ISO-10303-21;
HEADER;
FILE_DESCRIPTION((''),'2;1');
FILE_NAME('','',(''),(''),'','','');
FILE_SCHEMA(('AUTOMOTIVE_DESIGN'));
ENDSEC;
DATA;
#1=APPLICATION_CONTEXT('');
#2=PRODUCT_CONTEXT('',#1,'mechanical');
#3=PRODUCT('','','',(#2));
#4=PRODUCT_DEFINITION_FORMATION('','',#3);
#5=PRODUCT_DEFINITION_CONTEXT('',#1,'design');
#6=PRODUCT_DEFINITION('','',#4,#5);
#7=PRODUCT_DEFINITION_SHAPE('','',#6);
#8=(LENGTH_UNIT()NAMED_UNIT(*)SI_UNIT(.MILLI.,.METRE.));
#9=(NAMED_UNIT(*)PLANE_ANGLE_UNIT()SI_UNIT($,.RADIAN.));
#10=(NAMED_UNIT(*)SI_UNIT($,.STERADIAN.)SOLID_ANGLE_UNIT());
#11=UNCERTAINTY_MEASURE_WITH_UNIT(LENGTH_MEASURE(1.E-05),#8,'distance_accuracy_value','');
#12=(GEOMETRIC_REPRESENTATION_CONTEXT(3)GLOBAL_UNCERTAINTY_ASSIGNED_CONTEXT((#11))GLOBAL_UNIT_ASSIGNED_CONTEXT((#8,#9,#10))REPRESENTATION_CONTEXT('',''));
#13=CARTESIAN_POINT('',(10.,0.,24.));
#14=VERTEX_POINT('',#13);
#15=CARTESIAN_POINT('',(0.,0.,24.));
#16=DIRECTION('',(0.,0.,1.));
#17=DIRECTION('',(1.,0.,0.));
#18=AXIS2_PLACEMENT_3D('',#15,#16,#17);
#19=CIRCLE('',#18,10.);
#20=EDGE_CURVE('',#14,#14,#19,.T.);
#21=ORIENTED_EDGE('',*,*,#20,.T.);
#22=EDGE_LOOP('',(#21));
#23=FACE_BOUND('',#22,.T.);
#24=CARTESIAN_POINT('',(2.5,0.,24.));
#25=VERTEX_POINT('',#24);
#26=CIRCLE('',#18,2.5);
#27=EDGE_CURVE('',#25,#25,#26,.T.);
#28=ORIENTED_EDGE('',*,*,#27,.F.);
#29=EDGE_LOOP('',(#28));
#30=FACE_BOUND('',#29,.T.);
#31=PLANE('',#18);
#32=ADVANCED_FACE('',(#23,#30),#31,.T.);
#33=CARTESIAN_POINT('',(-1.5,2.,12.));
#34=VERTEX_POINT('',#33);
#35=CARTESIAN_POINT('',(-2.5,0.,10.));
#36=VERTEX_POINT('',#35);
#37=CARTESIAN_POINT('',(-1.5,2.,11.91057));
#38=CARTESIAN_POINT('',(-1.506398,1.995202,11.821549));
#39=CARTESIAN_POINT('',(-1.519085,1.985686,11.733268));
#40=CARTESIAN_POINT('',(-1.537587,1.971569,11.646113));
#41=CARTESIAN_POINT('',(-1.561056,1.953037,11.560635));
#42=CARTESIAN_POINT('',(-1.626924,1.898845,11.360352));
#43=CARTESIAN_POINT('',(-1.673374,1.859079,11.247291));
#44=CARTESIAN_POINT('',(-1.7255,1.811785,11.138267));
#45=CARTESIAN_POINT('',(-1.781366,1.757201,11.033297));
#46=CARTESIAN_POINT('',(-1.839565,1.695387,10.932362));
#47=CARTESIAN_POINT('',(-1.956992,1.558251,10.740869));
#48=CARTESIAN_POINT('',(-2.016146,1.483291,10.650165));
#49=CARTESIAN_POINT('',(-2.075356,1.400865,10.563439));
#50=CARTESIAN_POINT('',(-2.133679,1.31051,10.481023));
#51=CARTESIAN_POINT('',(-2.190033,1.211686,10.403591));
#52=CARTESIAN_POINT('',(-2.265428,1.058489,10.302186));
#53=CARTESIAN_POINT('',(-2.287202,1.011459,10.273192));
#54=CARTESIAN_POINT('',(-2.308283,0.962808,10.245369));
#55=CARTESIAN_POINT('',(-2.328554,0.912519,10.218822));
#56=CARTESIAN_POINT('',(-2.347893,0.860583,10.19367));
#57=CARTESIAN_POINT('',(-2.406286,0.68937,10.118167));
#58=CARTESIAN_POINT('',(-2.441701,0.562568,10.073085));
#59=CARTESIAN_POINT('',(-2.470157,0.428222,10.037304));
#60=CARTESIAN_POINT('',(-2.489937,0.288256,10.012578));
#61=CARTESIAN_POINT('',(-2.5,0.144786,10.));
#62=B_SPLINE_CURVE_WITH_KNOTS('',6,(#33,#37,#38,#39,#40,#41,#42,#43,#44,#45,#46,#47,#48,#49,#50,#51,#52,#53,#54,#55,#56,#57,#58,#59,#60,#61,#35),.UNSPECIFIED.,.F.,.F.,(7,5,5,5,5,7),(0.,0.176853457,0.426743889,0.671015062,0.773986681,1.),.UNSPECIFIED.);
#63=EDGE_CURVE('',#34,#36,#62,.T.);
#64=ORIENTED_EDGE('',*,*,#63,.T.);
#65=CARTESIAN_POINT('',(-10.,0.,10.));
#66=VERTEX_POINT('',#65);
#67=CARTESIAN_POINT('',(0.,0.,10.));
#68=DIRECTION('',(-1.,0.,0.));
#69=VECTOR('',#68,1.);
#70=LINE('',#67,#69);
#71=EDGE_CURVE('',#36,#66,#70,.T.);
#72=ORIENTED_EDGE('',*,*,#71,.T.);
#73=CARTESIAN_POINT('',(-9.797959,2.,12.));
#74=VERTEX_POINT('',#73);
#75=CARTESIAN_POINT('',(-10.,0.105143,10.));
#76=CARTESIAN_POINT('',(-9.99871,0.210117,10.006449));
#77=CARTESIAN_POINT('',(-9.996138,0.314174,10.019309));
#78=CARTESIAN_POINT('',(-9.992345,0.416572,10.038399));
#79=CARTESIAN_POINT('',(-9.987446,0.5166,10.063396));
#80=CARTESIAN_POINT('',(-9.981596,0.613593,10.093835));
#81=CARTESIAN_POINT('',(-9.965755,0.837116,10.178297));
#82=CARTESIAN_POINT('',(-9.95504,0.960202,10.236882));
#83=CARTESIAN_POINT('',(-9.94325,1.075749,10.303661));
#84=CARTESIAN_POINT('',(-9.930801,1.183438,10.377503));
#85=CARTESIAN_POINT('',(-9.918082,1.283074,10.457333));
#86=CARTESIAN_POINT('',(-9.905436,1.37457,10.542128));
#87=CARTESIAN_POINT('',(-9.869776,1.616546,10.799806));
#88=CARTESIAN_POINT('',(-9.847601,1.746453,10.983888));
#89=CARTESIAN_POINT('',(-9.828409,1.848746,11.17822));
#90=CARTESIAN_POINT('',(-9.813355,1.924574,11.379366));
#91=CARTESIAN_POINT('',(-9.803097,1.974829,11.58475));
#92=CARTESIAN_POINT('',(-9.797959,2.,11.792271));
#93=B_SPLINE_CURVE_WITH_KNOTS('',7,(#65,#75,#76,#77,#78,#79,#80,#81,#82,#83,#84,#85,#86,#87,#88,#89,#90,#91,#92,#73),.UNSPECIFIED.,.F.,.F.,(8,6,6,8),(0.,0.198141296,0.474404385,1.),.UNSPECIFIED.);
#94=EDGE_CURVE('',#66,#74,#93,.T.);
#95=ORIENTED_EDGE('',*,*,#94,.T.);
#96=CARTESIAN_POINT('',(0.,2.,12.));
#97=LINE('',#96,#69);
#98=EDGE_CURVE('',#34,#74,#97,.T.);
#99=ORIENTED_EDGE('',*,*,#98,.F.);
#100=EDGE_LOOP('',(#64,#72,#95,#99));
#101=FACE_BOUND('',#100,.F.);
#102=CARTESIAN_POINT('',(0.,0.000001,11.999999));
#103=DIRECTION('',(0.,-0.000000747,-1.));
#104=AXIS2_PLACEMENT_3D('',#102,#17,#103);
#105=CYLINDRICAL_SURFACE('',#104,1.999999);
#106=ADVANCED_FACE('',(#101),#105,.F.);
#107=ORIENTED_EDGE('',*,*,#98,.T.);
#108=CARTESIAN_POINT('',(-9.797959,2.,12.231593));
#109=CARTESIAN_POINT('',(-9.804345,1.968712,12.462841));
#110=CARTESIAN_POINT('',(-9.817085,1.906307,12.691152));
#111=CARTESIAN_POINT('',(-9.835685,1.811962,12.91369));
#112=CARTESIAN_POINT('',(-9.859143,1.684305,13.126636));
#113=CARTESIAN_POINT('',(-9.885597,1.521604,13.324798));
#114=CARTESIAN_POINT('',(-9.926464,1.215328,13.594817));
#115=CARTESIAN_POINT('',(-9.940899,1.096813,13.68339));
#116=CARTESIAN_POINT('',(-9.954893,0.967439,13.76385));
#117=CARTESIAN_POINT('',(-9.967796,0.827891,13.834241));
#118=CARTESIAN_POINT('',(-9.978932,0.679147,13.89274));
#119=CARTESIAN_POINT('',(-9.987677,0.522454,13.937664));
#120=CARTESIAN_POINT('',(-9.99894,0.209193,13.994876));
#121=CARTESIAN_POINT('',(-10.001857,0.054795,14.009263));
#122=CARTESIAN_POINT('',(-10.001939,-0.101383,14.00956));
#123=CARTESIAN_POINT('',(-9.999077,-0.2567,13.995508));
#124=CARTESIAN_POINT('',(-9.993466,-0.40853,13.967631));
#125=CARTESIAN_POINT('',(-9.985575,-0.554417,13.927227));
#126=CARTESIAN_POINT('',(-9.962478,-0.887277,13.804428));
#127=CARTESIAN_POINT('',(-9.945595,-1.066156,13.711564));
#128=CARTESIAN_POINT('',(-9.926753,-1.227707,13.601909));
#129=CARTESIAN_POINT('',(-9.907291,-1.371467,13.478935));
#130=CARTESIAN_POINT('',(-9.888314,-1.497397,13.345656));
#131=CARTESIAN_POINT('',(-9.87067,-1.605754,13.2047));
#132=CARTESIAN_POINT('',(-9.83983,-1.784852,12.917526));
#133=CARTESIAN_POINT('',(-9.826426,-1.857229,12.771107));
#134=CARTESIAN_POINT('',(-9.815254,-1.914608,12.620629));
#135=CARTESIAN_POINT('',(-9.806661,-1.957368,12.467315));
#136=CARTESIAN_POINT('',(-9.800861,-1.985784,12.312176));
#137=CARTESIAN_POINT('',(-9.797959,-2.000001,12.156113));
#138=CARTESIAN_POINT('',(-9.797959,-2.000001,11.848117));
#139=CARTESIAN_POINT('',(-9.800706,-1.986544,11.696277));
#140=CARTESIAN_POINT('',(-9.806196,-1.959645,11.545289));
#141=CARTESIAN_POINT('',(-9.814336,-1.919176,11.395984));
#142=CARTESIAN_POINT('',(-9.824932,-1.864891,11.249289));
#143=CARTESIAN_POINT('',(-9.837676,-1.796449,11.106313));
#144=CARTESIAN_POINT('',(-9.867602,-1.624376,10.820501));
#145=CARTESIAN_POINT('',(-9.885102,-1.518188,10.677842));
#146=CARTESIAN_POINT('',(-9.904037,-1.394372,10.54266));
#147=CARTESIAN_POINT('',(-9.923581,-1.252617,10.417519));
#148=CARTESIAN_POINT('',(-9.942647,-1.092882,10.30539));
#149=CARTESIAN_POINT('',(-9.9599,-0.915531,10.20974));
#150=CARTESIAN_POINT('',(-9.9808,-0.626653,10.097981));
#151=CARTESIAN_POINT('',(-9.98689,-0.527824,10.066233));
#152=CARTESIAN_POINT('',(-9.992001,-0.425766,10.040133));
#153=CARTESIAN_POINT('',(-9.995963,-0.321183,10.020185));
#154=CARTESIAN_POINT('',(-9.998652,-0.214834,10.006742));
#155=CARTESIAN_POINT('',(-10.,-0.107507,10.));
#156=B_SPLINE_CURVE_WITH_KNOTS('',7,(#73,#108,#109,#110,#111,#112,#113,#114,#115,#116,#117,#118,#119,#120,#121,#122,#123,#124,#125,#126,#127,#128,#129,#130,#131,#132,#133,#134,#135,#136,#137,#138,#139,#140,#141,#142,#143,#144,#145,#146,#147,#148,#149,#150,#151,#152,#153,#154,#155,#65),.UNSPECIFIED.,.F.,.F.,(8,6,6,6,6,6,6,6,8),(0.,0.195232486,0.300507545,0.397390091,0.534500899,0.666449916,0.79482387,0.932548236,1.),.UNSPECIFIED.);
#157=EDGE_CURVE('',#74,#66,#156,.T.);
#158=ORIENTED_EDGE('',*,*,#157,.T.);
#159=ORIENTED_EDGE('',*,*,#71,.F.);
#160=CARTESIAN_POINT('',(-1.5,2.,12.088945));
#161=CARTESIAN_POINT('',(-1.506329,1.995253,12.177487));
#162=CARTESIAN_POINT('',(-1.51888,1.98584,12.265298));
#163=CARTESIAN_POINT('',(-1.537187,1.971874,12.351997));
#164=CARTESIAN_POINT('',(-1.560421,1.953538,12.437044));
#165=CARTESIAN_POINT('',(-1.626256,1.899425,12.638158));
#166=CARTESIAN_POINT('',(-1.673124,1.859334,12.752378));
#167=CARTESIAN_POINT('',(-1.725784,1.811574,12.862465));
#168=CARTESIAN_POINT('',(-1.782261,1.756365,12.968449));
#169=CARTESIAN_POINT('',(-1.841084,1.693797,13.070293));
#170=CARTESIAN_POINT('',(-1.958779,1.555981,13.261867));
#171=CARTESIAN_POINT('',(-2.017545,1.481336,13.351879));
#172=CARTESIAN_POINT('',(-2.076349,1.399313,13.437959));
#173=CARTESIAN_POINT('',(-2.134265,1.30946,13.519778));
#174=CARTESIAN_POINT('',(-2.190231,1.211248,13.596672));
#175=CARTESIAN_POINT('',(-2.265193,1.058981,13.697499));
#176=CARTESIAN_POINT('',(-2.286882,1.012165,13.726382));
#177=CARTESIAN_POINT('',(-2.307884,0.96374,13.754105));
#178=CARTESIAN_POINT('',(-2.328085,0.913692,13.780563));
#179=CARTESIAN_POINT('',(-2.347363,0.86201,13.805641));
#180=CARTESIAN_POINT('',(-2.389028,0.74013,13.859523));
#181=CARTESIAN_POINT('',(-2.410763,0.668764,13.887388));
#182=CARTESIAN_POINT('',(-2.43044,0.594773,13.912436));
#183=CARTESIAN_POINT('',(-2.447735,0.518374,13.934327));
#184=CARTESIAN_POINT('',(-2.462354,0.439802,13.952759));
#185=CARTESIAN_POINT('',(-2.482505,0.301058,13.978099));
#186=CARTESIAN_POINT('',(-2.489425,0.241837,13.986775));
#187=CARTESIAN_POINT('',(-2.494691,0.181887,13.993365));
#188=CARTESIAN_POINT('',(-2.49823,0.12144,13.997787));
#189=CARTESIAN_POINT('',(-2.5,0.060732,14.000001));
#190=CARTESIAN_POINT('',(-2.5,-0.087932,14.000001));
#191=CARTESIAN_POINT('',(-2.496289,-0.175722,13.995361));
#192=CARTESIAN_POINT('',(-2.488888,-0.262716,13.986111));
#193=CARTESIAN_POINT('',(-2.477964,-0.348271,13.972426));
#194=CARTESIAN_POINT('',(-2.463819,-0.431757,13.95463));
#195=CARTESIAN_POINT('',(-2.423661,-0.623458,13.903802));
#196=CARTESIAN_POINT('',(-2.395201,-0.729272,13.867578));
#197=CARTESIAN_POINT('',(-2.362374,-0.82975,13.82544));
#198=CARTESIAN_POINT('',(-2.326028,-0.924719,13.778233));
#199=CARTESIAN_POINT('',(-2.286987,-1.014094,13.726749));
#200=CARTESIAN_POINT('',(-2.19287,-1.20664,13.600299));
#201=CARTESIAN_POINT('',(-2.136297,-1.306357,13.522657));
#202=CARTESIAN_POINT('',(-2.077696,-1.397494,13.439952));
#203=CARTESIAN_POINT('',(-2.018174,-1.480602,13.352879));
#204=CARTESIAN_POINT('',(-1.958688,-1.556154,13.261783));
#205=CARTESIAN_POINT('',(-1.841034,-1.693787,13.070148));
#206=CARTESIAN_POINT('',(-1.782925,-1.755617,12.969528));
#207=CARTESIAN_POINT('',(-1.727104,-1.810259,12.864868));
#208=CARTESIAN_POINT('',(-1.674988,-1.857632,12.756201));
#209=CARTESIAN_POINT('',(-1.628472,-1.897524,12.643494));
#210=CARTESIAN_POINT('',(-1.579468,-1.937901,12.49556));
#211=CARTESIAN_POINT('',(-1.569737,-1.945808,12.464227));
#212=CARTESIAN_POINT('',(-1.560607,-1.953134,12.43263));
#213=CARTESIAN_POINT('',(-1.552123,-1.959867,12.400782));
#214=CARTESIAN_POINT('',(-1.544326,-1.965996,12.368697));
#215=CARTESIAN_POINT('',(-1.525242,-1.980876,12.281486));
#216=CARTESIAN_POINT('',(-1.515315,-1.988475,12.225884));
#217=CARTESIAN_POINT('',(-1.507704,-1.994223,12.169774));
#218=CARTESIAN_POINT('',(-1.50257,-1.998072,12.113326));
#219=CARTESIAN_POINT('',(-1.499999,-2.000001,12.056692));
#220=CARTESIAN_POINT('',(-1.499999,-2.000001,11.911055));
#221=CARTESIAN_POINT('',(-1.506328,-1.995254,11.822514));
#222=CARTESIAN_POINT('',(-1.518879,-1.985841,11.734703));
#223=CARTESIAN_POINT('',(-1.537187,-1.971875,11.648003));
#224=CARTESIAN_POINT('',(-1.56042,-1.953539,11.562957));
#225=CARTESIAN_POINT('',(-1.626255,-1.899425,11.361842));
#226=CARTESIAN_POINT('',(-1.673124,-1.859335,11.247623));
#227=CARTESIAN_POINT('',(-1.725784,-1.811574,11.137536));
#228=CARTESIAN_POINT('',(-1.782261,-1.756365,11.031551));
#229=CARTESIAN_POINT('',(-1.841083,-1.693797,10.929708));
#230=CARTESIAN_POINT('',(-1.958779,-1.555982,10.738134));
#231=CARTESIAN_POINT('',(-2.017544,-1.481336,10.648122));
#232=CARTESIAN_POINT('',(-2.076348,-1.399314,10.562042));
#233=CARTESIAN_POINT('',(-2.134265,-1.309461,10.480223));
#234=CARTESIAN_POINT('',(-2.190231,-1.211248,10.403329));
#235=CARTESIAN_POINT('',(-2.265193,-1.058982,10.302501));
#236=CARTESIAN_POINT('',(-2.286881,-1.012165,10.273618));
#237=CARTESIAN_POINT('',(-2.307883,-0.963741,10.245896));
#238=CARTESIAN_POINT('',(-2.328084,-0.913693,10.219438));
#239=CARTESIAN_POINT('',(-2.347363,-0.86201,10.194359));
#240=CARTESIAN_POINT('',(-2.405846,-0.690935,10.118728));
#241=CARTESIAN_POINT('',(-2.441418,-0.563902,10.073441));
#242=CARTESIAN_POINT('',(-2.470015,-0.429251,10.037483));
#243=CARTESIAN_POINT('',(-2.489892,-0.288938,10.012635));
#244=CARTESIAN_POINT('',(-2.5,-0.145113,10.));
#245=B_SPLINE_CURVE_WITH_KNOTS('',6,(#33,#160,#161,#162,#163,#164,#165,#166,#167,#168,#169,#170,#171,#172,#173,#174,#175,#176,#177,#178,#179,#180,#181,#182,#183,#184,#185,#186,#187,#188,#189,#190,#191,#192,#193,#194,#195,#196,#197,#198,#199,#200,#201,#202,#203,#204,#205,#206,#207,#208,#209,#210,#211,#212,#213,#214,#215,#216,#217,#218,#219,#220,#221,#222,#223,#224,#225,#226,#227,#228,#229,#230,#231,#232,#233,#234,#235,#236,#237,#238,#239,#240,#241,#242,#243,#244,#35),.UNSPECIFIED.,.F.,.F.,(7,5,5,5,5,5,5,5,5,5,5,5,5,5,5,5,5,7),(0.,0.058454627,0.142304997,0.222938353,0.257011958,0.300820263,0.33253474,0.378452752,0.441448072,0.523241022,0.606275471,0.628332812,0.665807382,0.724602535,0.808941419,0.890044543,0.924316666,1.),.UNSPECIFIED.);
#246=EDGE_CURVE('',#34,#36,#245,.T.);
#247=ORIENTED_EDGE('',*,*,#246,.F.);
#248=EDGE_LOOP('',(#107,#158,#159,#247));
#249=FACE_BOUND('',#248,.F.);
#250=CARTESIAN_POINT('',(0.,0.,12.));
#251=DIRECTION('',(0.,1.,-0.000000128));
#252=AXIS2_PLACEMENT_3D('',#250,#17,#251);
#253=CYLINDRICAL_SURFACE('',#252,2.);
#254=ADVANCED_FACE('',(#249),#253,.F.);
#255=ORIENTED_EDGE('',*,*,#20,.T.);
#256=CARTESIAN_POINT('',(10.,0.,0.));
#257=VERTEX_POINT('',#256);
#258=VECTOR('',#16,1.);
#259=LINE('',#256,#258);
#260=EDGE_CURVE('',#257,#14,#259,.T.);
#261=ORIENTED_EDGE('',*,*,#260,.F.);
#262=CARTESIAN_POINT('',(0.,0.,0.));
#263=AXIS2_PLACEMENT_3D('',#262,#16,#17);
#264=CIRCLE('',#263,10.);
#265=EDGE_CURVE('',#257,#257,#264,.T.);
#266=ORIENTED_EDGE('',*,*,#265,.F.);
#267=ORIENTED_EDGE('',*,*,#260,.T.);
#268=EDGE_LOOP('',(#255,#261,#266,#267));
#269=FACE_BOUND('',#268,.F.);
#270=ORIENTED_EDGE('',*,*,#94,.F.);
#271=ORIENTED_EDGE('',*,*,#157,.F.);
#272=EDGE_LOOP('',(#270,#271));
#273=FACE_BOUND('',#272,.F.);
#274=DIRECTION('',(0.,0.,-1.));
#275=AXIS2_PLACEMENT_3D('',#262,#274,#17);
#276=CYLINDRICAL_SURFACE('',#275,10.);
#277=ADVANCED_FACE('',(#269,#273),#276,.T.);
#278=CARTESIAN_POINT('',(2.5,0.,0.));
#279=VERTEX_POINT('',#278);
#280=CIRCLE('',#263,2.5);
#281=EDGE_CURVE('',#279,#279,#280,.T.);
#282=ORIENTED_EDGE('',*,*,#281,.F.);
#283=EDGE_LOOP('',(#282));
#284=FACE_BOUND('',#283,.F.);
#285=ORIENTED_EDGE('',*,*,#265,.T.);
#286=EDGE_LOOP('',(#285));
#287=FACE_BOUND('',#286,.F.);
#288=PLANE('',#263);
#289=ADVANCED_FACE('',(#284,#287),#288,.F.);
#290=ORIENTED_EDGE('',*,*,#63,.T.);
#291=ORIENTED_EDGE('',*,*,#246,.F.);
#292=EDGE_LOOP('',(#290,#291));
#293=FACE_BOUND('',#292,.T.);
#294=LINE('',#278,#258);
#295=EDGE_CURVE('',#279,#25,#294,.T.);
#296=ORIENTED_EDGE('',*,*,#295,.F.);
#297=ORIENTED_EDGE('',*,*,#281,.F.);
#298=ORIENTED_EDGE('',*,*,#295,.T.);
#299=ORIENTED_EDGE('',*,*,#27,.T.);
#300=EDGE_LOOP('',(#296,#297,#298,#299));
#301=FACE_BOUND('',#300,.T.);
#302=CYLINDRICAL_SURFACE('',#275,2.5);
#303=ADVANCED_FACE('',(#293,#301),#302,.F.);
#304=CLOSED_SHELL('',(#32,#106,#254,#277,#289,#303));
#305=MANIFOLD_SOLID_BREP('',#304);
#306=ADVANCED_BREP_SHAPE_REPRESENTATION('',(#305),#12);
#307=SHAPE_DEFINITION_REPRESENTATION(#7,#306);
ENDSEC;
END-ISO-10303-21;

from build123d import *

# Parameters (mm, degrees)
F0_R     = 10
F0_R_2   = 2.5
F1_DEPTH = 24
F3_DEPTH = 10


with BuildPart() as f1:
    # F0 (on Top) → F1 (new body)
    with BuildSketch(Plane.XY):
        Circle(F0_R)
        Circle(F0_R_2, mode=Mode.SUBTRACT)
    extrude(amount=F1_DEPTH)

    # F2 (on Right) → F3 (cut)
    with BuildSketch(Plane.YZ):
        with BuildLine():
            ThreePointArc((0, 10), (1.414214, 10.585786), (2, 12))
            ThreePointArc((2, 12), (-1.414214, 13.414214), (0, 10))
        make_face()
    extrude(amount=-F3_DEPTH, mode=Mode.SUBTRACT)


solid = f1.part
